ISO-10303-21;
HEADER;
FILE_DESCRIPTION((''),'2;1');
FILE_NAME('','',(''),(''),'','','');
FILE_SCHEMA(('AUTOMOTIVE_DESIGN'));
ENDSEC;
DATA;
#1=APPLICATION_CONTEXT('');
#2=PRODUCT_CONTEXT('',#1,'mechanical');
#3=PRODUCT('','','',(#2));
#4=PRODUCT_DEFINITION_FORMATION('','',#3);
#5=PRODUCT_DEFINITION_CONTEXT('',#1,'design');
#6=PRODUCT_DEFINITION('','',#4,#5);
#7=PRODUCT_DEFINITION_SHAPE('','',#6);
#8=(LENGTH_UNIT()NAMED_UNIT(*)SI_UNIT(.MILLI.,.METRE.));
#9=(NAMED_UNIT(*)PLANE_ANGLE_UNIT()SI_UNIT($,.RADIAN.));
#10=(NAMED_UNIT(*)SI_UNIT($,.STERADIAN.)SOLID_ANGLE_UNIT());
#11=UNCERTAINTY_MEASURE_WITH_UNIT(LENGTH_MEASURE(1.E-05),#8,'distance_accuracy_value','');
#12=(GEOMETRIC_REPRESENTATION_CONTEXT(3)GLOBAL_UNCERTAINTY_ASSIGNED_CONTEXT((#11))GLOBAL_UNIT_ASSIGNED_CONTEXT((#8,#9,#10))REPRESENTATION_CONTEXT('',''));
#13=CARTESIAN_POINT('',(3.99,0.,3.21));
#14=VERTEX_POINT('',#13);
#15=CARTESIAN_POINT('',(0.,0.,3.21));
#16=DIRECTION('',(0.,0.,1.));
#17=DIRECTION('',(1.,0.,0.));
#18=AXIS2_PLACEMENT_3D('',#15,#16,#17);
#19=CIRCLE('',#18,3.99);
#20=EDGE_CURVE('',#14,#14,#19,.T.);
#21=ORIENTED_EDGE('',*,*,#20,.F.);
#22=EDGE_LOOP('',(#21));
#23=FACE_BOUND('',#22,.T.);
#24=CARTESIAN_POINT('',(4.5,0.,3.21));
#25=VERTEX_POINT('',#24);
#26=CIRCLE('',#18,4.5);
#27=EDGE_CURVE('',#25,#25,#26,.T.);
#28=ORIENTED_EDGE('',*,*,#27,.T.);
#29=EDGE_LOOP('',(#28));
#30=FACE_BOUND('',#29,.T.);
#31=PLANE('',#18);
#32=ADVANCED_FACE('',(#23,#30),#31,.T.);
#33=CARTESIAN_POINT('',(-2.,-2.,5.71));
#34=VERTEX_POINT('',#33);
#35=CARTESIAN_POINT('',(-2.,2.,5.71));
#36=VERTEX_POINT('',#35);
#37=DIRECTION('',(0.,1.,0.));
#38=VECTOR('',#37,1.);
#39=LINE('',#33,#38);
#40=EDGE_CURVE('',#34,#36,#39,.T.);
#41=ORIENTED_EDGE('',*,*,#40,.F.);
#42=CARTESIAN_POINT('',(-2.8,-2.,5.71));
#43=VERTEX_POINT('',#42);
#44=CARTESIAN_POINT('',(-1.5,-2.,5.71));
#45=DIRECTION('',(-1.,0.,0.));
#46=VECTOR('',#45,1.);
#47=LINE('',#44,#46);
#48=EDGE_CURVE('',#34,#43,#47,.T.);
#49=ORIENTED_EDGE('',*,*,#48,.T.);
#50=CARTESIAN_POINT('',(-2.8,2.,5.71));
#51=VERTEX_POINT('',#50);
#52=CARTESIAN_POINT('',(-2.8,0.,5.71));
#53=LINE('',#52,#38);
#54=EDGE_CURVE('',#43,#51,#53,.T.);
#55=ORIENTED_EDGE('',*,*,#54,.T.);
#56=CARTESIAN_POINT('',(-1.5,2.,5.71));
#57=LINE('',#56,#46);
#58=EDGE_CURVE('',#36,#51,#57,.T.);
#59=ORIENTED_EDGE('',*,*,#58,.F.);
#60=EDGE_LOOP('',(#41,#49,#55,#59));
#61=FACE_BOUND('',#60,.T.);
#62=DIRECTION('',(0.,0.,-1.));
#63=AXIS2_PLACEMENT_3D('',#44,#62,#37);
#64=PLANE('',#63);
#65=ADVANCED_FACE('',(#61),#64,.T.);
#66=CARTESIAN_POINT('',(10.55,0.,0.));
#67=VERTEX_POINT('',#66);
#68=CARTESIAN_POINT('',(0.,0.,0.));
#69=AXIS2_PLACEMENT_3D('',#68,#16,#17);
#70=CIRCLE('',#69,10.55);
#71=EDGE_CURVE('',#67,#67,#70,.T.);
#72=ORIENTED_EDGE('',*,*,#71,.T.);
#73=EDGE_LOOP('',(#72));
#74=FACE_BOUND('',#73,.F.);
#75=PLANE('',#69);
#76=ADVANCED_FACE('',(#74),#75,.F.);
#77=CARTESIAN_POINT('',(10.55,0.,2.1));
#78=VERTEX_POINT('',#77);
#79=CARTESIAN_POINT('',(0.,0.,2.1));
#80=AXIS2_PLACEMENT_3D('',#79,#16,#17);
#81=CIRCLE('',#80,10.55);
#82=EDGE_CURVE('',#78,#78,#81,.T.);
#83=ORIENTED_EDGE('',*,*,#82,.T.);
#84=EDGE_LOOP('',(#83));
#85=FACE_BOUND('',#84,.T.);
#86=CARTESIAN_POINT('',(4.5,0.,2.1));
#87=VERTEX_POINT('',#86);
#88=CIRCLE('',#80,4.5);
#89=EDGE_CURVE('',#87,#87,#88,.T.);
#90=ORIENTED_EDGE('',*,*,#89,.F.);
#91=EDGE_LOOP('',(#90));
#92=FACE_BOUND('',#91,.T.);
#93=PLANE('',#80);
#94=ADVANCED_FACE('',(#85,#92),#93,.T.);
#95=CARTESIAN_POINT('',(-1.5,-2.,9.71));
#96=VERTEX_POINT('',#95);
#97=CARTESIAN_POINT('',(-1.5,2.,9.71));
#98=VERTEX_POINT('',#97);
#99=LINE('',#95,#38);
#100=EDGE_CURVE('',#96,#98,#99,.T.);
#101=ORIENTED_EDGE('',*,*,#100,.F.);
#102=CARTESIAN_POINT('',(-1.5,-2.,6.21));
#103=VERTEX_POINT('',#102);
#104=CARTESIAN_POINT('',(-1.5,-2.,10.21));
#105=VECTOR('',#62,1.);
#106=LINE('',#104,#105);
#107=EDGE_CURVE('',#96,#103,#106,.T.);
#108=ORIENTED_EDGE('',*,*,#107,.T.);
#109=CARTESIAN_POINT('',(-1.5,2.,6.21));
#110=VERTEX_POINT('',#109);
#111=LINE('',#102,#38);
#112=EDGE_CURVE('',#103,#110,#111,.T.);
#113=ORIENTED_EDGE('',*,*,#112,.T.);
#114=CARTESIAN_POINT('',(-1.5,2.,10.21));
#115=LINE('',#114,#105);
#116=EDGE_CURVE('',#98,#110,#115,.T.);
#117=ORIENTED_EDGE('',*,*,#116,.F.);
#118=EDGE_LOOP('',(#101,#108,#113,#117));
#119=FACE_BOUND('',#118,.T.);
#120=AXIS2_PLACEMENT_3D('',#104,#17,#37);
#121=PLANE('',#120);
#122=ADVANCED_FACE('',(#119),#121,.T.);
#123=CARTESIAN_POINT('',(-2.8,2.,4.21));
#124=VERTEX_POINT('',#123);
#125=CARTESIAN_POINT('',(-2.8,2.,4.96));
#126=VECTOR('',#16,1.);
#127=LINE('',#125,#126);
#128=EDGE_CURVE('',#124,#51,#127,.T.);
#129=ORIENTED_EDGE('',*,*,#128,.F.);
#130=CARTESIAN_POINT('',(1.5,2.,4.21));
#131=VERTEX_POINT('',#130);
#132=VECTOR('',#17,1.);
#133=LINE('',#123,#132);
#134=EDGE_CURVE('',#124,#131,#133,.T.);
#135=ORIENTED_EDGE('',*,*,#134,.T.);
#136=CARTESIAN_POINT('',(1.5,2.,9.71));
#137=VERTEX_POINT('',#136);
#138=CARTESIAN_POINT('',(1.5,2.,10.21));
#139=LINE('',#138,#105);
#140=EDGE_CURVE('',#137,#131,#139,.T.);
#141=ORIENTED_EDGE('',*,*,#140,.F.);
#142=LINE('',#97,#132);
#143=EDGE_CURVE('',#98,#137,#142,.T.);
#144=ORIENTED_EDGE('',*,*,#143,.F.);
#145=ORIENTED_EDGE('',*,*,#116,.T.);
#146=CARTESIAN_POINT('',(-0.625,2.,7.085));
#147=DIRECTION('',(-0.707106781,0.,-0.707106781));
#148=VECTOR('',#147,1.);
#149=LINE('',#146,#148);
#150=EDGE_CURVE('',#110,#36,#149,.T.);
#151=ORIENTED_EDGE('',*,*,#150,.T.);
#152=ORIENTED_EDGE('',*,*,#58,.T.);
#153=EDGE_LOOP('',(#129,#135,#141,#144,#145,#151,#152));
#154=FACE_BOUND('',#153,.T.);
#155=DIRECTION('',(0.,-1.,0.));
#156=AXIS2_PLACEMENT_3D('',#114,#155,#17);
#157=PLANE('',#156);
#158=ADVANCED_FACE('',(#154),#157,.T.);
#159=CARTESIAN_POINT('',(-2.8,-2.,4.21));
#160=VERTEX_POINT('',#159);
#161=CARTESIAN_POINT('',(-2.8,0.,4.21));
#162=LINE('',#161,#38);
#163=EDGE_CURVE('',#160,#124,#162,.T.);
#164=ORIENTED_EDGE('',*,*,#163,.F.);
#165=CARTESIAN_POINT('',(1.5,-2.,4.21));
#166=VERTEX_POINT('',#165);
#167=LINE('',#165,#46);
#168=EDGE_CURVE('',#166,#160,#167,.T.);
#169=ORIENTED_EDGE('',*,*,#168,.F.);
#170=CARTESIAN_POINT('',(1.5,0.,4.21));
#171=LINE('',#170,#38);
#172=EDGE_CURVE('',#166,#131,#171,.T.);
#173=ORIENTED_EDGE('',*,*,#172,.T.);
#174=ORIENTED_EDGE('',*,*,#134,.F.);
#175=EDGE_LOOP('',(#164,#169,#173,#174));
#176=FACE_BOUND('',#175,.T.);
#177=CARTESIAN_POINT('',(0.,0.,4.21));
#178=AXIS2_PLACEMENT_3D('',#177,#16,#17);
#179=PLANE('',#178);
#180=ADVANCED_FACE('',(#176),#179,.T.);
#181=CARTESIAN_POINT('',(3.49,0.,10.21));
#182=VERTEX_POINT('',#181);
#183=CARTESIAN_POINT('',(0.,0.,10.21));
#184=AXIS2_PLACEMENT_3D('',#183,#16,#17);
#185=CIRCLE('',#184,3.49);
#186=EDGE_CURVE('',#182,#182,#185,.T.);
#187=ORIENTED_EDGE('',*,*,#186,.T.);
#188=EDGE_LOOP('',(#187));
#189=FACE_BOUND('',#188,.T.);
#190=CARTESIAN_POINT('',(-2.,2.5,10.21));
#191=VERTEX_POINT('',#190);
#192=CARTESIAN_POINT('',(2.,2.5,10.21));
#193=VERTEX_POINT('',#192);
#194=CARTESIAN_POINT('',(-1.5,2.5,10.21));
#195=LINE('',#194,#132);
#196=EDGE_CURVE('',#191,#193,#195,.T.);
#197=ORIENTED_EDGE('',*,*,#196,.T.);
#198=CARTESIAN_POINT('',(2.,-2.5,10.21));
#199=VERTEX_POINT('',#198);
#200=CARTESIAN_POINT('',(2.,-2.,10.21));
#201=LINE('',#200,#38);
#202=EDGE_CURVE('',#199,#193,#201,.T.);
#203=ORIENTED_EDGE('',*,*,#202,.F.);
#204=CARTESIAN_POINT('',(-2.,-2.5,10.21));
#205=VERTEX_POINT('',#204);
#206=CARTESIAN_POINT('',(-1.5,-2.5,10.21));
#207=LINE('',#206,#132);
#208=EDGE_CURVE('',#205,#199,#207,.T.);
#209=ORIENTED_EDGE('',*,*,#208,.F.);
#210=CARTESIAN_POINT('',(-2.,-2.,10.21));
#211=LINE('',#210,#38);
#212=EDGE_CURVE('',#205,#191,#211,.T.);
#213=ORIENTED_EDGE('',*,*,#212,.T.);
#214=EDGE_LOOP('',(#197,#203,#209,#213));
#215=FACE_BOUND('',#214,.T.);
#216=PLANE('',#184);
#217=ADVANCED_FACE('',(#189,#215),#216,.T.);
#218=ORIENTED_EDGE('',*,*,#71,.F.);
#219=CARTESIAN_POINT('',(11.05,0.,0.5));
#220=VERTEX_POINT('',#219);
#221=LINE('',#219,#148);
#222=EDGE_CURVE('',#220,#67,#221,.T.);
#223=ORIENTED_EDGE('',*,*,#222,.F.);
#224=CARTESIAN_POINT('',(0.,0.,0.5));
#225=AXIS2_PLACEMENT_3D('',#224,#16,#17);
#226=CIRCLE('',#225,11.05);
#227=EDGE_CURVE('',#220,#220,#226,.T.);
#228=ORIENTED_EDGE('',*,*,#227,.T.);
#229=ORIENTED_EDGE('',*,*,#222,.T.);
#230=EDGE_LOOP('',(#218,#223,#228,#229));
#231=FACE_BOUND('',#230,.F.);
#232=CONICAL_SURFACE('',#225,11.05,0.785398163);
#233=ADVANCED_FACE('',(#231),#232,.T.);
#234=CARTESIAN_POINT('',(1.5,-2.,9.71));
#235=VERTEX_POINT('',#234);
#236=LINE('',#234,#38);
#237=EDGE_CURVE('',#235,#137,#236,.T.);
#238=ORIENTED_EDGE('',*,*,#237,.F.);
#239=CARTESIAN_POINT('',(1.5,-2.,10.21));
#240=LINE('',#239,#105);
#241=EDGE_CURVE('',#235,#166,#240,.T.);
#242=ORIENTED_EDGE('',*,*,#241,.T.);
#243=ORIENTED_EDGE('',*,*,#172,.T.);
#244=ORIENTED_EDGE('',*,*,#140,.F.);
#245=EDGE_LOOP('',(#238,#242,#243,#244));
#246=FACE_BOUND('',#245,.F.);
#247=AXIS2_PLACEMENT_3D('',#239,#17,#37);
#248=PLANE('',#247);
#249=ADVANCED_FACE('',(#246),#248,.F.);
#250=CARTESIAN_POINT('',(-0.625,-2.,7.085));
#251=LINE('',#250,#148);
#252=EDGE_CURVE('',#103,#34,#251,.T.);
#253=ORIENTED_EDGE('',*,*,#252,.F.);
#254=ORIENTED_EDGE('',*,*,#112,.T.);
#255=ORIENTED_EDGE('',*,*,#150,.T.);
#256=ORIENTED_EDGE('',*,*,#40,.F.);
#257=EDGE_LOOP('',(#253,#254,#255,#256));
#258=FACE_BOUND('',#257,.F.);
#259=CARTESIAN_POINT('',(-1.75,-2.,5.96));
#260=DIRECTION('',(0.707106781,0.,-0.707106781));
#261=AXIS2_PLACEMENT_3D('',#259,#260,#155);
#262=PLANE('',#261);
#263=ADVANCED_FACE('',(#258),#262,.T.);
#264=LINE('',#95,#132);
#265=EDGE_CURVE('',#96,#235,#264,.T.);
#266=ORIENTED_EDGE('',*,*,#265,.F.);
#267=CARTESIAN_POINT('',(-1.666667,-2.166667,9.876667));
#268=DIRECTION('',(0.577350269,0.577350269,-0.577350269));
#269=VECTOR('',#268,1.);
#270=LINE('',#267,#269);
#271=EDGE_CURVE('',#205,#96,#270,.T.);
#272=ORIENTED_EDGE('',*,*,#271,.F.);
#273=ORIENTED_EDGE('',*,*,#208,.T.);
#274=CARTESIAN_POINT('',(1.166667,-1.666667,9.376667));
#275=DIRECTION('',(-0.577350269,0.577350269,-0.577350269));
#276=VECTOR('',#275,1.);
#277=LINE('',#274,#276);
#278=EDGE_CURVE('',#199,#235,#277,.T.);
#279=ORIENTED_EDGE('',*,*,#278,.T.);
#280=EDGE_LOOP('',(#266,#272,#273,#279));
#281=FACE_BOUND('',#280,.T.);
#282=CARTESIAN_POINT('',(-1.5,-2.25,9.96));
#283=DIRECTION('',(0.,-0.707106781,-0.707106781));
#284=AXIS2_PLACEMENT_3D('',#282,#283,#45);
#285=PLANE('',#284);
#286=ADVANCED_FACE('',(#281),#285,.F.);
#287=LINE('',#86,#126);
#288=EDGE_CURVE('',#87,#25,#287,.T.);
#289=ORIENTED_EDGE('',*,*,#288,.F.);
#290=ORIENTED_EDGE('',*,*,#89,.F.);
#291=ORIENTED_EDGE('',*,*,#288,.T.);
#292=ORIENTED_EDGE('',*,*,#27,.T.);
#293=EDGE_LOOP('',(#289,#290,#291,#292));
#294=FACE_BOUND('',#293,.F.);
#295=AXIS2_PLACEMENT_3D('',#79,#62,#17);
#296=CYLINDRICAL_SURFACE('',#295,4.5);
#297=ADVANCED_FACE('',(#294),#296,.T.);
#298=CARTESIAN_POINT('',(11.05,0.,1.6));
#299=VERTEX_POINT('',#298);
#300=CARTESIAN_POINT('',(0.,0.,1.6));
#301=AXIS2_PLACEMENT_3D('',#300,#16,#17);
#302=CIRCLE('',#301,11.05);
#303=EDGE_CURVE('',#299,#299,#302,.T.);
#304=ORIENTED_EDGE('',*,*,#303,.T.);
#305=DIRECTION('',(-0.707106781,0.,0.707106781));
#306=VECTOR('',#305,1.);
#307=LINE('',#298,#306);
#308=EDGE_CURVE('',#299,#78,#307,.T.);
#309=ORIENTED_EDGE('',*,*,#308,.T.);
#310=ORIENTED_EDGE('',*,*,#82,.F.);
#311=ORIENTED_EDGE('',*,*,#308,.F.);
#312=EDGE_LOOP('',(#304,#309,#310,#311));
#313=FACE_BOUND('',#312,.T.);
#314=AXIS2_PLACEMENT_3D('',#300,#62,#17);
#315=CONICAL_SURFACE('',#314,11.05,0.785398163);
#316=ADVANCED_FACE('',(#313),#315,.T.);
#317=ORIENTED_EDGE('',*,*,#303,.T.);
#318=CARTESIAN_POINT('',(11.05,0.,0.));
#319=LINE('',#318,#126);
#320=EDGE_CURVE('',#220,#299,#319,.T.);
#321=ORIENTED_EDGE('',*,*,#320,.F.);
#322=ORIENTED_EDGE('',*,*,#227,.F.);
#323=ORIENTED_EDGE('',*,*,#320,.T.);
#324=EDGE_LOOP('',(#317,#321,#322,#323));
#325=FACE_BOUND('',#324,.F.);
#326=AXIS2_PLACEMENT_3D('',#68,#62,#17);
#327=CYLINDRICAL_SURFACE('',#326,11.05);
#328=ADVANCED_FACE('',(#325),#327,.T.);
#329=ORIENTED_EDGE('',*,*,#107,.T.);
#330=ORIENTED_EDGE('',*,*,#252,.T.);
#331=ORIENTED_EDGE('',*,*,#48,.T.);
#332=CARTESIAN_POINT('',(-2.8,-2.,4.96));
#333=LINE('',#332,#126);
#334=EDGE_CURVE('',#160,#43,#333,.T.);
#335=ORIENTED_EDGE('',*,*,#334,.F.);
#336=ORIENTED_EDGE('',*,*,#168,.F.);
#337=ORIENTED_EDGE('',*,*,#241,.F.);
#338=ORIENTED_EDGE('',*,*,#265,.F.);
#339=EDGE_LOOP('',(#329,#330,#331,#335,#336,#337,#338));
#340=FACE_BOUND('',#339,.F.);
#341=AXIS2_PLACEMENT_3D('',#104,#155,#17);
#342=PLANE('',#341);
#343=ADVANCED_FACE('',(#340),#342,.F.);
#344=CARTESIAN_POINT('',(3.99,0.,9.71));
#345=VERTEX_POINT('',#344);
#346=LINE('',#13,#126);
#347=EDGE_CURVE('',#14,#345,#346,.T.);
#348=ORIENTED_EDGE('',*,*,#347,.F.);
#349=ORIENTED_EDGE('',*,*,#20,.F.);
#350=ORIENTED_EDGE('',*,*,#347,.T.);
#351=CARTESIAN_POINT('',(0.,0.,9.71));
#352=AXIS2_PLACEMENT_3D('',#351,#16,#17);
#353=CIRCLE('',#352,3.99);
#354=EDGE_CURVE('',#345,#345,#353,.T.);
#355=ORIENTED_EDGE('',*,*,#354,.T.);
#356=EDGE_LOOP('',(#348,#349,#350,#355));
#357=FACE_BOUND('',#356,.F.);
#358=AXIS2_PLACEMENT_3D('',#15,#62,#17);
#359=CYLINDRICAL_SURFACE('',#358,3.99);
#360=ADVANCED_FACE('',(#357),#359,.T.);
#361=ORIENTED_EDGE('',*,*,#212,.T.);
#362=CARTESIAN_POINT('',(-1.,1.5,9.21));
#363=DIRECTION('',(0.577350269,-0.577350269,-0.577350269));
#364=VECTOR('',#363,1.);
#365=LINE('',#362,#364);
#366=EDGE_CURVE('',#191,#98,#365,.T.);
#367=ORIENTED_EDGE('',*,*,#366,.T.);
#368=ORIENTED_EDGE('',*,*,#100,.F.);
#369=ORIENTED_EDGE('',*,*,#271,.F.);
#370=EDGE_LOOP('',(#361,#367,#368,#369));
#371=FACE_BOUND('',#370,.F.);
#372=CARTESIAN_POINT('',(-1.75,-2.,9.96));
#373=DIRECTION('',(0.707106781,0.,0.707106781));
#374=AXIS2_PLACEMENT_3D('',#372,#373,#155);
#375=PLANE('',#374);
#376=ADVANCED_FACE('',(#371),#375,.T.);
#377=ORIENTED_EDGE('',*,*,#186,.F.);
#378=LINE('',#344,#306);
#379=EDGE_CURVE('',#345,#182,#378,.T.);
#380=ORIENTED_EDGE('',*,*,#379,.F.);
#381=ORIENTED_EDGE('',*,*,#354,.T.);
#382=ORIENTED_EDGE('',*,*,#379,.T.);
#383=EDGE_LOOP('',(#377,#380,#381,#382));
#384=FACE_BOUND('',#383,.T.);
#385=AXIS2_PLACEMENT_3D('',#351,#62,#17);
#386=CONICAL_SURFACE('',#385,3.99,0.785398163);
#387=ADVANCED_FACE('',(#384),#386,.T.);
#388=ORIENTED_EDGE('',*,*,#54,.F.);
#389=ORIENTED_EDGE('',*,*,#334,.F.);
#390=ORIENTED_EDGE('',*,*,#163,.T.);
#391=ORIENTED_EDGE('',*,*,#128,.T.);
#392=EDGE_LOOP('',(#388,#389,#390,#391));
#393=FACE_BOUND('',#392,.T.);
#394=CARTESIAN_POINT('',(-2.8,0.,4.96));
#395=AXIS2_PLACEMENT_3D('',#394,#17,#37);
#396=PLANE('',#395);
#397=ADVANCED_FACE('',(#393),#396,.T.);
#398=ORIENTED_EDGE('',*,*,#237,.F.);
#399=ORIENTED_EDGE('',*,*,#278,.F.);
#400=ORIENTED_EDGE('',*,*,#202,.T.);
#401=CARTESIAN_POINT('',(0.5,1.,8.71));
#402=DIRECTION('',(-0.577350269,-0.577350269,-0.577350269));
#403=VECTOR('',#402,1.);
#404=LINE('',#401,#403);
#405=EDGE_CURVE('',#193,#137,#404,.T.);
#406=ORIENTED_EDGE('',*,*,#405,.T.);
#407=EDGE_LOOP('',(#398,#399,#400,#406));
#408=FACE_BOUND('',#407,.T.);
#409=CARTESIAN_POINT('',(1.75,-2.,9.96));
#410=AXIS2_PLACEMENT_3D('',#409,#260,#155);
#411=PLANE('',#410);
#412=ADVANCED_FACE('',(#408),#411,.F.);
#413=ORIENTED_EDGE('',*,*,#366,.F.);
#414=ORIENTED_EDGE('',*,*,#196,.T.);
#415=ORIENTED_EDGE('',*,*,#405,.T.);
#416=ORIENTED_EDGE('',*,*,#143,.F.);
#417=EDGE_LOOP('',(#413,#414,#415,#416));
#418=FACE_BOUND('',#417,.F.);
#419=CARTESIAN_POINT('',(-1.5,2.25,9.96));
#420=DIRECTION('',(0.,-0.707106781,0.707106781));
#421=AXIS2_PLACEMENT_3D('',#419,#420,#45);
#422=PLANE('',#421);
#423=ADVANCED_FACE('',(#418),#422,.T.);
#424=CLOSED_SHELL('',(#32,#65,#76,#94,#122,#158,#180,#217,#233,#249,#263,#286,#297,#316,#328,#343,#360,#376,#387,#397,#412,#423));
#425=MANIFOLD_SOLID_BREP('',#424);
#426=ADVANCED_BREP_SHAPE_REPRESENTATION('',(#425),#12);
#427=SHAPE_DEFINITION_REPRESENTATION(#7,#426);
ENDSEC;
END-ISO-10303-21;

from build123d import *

# Parameters (mm, degrees)
F0_R     = 11.05
F1_DEPTH = 2.1
F2_R     = 4.5
F3_DEPTH = 1.11
F4_R     = 3.99
F5_DEPTH = 7
F6_W     = 3
F6_H     = 4
F7_DEPTH = 6
F8_W     = 4
F8_H     = 1.5
F9_DEPTH = 1.3
F10_SIZE = 0.5


with BuildPart() as f1:
    # F0 (on Top) → F1 (new body)
    with BuildSketch(Plane.XY):
        Circle(F0_R)
    extrude(amount=F1_DEPTH)

    # F2 (on face) → F3 (join)
    with BuildSketch(Plane.XY.offset(2.1)):
        Circle(F2_R)
    extrude(amount=F3_DEPTH)

    # F4 (on face) → F5 (join)
    with BuildSketch(Plane.XY.offset(3.21)):
        Circle(F4_R)
    extrude(amount=F5_DEPTH)

    # F6 (on face) → F7 (cut)
    with BuildSketch(Plane.XY.offset(10.21)):
        Rectangle(F6_W, F6_H)
    extrude(amount=-F7_DEPTH, mode=Mode.SUBTRACT)

    # F8 (on face) → F9 (cut)
    with BuildSketch(Plane.YZ.offset(-1.5)):
        with Locations((0, 4.96)):
            Rectangle(F8_W, F8_H)
    extrude(amount=-F9_DEPTH, mode=Mode.SUBTRACT)

    # F10
    f10_edges = [f1.edges().sort_by_distance(p)[0] for p in [
        (-1.5, 0, 5.71),
        (0, 2, 10.21),
        (-1.5, 0, 10.21),
        (1.5, 0, 10.21),
        (0, -2, 10.21),
        (-3.99, 0, 10.21),
        (-11.05, 0, 0),
        (-11.05, 0, 2.1),
    ]]
    chamfer(f10_edges, length=F10_SIZE)


solid = f1.part
